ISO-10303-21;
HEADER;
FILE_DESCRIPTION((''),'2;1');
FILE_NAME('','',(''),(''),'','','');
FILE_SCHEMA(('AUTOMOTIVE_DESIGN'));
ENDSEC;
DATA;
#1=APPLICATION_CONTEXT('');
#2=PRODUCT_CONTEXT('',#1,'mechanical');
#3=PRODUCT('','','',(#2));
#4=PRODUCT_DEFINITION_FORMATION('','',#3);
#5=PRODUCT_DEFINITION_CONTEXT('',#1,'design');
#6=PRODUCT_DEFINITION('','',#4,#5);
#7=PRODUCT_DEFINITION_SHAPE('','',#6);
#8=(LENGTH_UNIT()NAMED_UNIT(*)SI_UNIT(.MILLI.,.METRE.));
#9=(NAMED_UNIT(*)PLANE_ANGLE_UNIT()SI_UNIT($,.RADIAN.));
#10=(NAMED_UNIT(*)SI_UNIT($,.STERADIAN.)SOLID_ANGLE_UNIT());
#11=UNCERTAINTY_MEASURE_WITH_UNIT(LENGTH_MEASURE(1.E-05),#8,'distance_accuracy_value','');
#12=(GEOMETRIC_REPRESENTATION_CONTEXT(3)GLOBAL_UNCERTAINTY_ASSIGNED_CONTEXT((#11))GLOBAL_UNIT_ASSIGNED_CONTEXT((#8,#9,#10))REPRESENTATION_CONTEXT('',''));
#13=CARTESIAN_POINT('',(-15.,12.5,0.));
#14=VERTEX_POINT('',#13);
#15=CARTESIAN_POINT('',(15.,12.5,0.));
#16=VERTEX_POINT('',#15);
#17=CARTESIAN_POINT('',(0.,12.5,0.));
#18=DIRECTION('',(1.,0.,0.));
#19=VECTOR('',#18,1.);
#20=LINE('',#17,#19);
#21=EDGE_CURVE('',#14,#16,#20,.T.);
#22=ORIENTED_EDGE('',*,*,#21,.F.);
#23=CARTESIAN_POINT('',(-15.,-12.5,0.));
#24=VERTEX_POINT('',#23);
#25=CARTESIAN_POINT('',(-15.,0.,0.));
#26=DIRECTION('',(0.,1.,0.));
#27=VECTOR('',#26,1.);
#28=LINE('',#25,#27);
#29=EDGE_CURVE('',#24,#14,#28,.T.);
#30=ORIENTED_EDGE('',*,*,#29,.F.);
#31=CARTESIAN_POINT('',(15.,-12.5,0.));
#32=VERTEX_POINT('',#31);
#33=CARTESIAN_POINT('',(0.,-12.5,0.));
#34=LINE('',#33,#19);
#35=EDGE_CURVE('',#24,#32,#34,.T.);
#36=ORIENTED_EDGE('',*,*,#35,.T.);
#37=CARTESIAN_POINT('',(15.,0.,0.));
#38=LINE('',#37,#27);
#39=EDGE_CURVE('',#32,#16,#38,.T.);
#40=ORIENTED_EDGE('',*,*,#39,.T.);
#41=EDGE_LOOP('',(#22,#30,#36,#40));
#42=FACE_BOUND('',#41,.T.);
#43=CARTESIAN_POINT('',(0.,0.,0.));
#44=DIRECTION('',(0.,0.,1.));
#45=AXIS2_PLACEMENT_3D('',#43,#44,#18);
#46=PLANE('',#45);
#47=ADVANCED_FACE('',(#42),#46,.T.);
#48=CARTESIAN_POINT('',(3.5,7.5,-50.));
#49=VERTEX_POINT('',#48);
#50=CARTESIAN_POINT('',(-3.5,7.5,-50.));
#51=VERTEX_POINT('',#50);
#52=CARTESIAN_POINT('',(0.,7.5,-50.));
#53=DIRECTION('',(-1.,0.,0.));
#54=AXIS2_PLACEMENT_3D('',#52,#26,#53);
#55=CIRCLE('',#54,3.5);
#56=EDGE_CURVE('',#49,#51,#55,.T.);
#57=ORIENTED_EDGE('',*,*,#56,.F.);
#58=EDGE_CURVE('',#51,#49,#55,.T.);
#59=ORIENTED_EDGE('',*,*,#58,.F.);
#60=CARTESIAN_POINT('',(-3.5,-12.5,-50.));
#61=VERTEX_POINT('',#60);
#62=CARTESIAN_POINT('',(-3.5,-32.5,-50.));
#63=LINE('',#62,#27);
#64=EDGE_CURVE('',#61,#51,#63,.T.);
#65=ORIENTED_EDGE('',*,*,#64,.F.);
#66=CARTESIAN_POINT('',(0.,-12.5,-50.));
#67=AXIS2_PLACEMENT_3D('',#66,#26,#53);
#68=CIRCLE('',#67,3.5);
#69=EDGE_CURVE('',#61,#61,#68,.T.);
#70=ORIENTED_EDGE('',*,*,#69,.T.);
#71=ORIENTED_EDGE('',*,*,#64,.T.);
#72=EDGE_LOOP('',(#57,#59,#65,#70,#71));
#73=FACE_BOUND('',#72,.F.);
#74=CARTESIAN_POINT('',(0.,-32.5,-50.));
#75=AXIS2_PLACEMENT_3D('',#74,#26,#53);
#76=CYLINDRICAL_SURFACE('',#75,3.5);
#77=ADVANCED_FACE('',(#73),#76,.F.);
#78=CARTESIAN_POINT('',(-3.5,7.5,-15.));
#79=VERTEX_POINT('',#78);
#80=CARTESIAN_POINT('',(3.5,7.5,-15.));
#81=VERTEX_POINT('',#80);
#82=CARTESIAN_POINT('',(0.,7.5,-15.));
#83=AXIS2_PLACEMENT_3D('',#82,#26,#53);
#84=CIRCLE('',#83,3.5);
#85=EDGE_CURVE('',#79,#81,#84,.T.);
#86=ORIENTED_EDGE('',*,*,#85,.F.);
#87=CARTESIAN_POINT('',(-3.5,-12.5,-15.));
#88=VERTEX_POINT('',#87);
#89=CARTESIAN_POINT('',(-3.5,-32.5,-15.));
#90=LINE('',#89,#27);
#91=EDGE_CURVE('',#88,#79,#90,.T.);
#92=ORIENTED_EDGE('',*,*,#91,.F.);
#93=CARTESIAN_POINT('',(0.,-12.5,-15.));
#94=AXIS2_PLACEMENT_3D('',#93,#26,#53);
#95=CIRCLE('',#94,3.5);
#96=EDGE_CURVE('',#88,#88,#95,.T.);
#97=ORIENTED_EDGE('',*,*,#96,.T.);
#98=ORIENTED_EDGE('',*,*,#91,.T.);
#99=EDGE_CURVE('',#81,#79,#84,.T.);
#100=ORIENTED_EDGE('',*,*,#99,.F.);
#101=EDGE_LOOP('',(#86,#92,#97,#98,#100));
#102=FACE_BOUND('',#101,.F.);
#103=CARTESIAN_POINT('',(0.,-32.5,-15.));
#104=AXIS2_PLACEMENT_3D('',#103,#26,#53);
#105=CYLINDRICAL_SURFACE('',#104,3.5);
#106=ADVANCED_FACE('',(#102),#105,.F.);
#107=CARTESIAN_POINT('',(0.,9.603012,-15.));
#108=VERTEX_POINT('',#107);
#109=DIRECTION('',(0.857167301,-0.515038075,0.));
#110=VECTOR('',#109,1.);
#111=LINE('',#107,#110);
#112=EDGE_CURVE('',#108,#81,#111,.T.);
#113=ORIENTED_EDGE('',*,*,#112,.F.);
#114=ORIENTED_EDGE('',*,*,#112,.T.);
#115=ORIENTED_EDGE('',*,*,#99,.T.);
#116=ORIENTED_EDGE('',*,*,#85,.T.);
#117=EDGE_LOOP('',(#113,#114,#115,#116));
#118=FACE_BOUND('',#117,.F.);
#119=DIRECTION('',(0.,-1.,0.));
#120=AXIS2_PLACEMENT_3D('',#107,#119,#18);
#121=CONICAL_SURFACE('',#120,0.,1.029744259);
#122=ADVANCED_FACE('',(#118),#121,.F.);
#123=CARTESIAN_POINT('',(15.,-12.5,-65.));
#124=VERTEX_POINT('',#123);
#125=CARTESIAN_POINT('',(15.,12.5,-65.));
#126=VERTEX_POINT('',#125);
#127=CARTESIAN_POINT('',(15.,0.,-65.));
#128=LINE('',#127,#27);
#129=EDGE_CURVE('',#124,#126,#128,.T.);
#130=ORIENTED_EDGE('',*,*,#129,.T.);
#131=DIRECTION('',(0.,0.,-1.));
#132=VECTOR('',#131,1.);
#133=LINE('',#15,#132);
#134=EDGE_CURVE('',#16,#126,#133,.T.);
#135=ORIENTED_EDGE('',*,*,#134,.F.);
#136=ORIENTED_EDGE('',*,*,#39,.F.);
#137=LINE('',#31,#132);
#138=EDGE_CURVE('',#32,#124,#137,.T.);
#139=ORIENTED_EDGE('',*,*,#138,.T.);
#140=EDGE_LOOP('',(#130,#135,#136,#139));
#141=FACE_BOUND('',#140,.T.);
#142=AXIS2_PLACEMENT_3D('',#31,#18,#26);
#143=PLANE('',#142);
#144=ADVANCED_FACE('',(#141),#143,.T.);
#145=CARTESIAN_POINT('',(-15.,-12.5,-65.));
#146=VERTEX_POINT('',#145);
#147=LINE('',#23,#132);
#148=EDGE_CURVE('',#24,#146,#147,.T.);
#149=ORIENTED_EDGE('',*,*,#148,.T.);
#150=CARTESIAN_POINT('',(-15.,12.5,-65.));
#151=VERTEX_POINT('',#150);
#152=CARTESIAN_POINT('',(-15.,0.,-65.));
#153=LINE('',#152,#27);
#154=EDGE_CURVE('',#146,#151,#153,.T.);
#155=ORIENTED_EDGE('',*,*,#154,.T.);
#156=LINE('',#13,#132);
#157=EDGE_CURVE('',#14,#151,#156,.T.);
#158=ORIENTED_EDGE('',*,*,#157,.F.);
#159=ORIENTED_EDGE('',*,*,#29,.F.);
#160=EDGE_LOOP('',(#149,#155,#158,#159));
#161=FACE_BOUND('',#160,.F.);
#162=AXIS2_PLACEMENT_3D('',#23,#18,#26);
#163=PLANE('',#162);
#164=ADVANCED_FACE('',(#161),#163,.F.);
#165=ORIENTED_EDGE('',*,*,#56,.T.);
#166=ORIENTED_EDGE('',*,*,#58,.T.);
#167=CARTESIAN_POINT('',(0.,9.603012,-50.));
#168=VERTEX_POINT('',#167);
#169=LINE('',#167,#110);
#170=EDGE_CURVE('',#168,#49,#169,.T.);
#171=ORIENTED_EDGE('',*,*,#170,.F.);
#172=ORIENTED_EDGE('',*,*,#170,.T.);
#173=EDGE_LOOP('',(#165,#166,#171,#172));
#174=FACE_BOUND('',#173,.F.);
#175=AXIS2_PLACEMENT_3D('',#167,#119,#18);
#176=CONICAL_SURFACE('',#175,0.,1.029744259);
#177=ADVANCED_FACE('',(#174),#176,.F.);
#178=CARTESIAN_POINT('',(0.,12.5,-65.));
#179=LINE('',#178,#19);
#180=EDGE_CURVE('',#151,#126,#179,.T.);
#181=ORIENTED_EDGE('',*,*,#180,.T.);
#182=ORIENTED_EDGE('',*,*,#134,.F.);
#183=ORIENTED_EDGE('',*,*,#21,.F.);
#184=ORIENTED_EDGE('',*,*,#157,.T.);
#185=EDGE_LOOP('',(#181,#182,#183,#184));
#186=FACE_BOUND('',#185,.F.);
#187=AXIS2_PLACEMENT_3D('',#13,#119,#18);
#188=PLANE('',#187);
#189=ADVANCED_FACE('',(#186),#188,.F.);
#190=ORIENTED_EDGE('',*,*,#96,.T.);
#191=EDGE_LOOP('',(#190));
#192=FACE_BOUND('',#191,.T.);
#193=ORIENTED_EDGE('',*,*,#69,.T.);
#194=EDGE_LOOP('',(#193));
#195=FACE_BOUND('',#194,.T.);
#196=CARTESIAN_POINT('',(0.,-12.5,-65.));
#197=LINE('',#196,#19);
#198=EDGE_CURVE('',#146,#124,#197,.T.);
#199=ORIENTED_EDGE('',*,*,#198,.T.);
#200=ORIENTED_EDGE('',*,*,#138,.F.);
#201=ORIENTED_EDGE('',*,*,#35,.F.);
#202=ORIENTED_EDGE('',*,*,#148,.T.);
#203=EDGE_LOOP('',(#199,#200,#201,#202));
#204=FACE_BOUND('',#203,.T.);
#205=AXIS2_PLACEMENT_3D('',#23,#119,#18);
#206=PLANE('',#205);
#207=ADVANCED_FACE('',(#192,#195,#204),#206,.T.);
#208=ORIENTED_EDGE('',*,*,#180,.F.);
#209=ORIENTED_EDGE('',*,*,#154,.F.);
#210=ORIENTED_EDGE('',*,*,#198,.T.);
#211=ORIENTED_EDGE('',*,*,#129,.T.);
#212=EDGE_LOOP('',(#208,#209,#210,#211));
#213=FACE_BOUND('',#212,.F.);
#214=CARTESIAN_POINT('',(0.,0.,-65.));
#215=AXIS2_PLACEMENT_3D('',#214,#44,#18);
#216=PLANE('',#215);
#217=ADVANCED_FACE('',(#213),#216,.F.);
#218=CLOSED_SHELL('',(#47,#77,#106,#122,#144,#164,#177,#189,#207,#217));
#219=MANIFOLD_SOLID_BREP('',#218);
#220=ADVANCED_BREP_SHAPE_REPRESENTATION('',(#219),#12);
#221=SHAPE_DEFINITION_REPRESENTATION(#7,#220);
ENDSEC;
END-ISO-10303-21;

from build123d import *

# Parameters (mm, degrees)
F0_W     = 30
F0_H     = 25
F1_DEPTH = 65
F3_D     = 7
F3_DEPTH = 20
F3_TIP   = 2.1030121666


with BuildPart() as f1:
    # F0 (on Top) → F1 (new body)
    with BuildSketch(Plane.XY):
        Rectangle(F0_W, F0_H)
    extrude(amount=-F1_DEPTH)

    # F3
    with Locations(Plane.XZ.offset(12.5)):
        with Locations((0, -15), (0, -50)):
            Hole(F3_D / 2, depth=F3_DEPTH)
            with Locations((0, 0, -(F3_DEPTH + F3_TIP / 2))):  # 118° drill point
                Cone(0, F3_D / 2, F3_TIP, mode=Mode.SUBTRACT)


solid = f1.part
